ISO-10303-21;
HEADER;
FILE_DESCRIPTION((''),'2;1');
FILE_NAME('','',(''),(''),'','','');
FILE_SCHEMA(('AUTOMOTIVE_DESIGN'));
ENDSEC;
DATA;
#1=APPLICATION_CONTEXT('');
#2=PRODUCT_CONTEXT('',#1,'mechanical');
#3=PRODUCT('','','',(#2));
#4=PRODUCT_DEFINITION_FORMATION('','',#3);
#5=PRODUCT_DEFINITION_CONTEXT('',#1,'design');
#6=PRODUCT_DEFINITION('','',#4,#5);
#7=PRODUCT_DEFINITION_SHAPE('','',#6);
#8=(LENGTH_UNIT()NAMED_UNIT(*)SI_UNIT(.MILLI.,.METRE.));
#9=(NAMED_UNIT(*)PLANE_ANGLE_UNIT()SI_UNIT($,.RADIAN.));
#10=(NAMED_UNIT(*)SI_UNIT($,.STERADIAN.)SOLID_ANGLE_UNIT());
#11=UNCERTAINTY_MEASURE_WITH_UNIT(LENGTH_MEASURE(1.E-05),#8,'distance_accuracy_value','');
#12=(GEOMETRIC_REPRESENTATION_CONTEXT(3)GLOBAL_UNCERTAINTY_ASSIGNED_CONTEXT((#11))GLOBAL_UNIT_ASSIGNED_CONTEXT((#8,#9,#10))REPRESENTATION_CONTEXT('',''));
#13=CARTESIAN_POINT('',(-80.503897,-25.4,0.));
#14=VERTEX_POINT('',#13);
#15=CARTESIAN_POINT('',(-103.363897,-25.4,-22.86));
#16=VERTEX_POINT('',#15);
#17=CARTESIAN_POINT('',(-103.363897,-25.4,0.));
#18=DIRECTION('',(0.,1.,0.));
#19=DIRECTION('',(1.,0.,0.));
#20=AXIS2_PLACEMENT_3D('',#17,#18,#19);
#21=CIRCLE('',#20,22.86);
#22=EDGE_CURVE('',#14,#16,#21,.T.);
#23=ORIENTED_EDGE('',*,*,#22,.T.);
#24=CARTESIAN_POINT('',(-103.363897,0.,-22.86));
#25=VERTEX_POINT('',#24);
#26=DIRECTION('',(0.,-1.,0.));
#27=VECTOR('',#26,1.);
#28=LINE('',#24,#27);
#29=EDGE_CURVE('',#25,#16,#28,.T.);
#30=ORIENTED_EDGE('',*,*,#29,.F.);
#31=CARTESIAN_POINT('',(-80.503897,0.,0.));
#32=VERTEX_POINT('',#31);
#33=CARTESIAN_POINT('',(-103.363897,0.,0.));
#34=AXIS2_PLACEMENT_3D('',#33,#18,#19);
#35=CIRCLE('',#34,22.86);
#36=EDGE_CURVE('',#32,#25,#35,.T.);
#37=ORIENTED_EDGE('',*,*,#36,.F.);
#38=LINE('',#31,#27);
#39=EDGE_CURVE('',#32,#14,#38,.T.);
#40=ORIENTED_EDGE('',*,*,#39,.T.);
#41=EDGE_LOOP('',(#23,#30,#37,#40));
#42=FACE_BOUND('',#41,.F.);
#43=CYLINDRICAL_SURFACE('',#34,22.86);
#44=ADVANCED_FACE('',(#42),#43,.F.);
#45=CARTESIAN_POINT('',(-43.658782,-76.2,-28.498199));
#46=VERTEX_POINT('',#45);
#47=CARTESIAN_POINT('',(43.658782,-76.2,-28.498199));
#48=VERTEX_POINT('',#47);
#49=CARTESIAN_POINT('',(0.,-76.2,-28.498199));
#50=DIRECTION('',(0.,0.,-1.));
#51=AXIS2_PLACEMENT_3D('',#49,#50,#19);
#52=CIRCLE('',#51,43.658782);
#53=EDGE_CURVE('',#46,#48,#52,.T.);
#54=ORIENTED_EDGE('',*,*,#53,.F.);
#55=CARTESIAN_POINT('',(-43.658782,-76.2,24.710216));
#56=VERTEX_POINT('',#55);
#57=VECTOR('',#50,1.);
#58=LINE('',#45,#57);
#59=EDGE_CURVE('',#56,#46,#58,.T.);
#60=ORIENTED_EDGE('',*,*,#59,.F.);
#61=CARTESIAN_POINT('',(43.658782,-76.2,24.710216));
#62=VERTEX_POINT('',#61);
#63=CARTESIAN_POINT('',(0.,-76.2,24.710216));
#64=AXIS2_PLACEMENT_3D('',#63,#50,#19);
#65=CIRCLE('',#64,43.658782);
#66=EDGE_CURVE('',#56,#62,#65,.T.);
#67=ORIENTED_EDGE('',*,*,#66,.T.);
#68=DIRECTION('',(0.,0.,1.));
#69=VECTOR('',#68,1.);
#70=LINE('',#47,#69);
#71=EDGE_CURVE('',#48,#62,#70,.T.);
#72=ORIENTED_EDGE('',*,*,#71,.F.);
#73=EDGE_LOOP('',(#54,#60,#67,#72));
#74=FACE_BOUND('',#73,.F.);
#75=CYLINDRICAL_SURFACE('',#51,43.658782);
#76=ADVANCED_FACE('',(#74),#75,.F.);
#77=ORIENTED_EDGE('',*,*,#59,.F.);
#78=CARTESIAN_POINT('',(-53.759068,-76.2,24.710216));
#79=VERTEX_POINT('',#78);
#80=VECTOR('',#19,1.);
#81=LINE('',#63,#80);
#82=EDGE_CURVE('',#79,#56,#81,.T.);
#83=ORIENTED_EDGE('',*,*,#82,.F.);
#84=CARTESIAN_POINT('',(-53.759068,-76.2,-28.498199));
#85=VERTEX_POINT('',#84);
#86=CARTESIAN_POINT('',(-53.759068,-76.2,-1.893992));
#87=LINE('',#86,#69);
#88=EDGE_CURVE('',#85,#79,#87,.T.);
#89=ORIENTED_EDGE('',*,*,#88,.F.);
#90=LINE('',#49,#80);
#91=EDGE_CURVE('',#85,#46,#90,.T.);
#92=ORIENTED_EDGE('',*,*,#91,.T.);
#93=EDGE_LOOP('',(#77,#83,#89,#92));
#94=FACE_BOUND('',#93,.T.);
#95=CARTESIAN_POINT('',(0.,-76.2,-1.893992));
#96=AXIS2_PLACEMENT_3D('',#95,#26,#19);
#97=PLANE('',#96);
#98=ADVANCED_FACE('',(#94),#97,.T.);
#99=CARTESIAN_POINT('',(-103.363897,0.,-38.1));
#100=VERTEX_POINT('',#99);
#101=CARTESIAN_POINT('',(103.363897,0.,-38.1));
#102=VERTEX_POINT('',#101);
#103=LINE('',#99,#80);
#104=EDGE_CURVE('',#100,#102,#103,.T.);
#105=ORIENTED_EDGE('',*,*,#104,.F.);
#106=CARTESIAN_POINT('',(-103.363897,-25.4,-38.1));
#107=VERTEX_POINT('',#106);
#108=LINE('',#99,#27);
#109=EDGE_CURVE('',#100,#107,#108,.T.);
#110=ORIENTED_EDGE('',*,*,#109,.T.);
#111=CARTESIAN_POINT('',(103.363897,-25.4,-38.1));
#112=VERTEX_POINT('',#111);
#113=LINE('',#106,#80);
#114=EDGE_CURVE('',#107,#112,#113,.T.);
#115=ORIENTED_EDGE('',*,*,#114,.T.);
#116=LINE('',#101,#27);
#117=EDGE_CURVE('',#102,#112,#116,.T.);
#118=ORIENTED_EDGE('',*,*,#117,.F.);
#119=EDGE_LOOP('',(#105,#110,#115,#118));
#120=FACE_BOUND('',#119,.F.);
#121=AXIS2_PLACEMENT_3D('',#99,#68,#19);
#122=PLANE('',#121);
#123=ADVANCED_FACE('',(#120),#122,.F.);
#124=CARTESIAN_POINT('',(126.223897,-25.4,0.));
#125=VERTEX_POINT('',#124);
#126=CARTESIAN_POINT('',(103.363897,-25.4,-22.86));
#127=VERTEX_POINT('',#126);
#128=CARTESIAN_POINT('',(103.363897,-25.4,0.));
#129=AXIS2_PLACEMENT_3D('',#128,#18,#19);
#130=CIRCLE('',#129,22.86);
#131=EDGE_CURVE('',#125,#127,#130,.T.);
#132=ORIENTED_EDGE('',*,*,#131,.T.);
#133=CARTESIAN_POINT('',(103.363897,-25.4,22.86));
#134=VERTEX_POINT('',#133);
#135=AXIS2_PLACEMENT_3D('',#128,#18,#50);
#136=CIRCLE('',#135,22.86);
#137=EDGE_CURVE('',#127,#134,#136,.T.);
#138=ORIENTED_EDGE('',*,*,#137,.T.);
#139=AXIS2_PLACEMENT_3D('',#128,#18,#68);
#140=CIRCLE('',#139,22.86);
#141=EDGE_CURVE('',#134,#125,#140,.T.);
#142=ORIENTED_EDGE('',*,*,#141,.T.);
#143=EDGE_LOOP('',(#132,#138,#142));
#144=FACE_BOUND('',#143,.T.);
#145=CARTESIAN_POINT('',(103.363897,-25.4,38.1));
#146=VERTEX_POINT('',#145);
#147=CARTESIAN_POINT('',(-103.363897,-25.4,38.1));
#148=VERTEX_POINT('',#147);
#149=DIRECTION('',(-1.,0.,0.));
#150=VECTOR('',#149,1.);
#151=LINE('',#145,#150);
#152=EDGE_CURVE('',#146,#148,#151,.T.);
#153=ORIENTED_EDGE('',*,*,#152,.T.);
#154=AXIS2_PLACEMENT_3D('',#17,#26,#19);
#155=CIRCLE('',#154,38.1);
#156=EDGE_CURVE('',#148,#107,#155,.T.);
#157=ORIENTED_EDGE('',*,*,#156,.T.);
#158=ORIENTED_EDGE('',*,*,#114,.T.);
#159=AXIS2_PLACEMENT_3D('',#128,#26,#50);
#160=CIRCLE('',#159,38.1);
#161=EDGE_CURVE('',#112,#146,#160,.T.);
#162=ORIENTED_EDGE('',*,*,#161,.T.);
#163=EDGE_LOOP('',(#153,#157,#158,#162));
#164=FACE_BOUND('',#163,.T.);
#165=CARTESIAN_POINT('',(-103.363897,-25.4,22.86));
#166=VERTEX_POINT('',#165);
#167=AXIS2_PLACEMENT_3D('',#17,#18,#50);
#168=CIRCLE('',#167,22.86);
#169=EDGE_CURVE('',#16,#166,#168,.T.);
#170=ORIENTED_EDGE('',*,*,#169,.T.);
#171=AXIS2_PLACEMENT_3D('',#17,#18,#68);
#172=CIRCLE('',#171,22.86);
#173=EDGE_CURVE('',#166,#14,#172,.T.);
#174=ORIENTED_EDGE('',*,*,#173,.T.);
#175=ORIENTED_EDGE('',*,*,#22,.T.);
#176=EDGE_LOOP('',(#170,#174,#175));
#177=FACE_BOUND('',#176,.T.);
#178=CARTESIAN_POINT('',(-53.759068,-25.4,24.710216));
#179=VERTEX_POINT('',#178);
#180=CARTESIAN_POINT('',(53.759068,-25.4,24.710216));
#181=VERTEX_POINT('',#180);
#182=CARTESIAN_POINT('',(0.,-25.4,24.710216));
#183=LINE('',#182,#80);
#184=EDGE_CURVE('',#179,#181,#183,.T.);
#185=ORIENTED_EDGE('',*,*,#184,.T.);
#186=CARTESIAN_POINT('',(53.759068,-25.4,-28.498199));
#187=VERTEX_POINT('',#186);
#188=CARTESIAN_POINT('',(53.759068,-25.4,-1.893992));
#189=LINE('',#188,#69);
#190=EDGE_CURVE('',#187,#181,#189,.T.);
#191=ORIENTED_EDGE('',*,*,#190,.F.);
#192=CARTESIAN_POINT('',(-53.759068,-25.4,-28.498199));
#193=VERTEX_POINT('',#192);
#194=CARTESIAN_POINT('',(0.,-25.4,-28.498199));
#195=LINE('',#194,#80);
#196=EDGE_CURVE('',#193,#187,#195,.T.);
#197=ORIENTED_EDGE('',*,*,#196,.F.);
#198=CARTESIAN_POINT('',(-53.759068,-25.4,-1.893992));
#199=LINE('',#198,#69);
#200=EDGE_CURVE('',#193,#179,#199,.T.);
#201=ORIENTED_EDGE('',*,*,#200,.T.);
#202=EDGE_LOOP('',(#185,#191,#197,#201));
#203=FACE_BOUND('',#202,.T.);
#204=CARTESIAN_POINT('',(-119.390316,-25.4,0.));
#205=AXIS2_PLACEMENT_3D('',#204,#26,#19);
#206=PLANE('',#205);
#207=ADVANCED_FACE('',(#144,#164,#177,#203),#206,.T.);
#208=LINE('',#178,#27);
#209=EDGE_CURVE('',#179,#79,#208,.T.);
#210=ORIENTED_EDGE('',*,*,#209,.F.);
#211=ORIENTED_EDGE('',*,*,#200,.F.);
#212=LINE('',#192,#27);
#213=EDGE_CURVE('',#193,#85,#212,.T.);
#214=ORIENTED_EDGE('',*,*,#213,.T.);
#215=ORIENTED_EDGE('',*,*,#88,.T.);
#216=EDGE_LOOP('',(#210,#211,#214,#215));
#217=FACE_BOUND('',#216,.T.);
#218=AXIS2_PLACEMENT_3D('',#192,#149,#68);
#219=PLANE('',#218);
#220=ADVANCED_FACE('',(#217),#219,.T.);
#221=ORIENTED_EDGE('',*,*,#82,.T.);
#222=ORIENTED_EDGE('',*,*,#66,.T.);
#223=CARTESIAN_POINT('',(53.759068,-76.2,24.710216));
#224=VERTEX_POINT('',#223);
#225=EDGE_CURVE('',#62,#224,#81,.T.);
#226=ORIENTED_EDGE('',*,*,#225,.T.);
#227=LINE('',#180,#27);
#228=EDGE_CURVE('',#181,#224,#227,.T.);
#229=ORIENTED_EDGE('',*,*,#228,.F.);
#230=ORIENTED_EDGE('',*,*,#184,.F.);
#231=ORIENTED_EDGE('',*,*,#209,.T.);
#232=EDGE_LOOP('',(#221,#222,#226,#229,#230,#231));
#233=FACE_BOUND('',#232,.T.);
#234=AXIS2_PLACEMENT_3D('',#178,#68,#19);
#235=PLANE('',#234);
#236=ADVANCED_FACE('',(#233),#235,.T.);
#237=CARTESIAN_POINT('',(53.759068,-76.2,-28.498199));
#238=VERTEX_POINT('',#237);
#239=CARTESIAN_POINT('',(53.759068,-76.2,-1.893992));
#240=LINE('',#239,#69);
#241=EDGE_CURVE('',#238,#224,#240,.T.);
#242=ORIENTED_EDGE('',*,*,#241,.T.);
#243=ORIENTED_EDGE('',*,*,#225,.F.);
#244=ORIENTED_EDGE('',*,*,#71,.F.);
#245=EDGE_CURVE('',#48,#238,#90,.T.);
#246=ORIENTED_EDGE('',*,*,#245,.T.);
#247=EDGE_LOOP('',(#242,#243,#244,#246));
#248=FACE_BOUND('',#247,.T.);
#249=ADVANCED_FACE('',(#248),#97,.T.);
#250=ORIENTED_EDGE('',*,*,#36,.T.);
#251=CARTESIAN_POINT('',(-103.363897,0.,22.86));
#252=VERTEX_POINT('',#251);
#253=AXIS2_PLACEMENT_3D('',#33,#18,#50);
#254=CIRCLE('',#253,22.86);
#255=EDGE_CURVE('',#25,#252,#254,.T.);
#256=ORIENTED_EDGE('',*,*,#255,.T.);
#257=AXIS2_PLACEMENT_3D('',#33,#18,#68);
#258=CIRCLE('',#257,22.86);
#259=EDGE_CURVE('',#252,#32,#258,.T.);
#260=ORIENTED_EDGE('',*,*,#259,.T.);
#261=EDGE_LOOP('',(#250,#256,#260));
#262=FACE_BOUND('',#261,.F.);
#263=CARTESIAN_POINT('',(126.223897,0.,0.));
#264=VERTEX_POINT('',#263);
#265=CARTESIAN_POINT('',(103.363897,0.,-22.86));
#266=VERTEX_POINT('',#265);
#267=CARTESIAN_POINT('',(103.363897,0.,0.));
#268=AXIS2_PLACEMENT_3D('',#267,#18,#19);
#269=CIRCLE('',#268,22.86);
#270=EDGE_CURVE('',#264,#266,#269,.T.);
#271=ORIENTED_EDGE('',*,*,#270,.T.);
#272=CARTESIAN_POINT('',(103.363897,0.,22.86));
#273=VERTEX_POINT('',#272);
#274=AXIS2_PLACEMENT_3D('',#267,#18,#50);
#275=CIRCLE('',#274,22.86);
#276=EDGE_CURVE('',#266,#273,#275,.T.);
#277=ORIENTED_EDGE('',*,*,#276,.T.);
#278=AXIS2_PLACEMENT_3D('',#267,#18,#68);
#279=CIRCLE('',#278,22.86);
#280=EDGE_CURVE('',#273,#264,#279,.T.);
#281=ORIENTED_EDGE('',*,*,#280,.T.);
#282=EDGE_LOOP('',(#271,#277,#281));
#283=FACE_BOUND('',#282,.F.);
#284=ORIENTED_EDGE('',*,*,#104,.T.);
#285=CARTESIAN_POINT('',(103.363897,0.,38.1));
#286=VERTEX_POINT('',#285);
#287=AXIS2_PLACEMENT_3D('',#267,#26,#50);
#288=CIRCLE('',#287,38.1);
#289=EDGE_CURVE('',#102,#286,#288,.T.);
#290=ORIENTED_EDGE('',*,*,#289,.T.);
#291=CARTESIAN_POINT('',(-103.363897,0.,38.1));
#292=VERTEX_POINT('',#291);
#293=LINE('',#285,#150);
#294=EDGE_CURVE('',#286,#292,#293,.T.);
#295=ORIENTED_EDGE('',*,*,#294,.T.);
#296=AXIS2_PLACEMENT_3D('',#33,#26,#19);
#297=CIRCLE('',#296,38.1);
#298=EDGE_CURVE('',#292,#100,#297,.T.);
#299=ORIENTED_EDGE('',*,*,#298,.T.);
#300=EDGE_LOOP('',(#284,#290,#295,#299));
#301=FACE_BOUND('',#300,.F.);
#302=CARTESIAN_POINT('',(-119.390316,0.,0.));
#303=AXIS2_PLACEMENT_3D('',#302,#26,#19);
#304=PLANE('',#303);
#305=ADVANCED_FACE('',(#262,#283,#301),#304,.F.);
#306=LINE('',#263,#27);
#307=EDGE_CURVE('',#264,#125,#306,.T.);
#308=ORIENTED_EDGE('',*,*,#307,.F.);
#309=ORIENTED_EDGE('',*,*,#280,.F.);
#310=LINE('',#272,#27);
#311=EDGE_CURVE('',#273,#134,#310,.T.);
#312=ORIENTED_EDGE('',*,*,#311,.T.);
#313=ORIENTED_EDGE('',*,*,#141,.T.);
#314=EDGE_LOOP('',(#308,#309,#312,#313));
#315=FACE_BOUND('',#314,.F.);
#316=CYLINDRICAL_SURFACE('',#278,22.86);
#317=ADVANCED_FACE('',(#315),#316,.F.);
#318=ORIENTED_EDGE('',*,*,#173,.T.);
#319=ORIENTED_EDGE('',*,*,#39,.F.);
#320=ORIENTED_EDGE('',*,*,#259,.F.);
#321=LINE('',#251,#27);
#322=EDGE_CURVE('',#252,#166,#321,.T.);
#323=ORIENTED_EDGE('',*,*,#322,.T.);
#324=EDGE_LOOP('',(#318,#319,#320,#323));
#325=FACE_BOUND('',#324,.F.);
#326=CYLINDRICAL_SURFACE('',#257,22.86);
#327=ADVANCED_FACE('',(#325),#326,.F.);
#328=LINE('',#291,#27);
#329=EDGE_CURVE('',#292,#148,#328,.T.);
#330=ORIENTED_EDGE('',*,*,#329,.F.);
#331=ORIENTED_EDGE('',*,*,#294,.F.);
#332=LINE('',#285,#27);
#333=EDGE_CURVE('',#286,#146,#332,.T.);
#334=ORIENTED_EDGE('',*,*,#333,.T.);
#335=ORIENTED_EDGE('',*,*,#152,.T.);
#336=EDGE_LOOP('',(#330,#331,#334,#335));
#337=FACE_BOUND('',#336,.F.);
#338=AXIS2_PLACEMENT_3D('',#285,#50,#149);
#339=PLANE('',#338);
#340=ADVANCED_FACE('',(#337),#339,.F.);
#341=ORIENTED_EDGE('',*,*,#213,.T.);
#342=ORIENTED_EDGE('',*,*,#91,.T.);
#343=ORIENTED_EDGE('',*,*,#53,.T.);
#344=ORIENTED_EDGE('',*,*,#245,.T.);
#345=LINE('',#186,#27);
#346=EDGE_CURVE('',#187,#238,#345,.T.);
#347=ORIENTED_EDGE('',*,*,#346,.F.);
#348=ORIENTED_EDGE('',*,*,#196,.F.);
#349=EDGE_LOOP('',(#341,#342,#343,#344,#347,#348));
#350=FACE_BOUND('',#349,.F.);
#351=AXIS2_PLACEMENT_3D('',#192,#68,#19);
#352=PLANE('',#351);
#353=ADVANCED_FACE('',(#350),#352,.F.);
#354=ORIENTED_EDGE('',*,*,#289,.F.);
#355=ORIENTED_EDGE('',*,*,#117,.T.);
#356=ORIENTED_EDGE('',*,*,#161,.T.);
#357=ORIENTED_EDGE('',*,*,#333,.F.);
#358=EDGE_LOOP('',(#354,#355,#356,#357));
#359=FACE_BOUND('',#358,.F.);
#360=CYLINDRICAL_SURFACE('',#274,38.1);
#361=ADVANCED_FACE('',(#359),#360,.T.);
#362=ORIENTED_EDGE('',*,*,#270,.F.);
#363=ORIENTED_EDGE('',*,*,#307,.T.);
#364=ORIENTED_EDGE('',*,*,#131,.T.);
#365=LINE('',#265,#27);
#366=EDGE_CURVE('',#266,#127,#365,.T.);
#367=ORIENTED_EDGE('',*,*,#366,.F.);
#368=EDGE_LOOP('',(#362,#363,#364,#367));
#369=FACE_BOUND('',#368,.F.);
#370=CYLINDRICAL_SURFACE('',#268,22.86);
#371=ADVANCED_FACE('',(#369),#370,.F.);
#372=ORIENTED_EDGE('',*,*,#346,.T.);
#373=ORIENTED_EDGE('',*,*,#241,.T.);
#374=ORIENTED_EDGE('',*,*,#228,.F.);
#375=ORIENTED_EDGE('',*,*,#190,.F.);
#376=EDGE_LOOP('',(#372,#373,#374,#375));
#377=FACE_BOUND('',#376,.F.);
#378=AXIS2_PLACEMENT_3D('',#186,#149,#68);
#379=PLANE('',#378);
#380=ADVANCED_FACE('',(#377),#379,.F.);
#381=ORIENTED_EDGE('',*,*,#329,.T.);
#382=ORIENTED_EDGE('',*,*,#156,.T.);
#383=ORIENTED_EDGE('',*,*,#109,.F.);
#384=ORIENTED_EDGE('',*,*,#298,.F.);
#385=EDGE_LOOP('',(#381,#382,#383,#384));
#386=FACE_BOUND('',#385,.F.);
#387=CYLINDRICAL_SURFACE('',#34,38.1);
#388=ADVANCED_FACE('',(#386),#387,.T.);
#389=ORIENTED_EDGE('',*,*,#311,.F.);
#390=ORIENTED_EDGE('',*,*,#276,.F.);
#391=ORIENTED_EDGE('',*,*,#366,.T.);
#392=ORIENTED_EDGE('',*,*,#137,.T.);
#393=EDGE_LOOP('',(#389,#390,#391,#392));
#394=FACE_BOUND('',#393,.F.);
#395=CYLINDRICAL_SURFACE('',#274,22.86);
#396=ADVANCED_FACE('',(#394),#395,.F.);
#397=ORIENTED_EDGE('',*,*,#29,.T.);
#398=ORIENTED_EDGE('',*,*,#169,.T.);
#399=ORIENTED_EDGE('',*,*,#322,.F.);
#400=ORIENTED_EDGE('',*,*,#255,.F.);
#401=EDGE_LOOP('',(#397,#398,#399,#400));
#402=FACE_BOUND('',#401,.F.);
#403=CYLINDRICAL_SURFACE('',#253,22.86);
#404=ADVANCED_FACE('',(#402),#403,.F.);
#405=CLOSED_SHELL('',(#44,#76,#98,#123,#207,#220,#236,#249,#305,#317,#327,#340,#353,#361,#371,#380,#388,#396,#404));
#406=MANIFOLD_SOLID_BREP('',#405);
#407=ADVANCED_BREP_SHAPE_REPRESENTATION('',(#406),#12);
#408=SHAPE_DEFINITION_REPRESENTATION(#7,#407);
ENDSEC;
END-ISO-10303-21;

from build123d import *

# Parameters (mm, degrees)
F1_DEPTH = 25.4
F2_W     = 107.5181365013
F2_H     = 53.2084149309
F3_DEPTH = 50.8
F4_R     = 43.6587817112
F5_DEPTH = 203.2


with BuildPart() as f1:
    # F0 (on Front) → F1 (new body)
    with BuildSketch(Plane.XZ):
        with BuildLine():
            Line((-103.3638969086, 22.86), (-103.3638969086, 38.1))
            ThreePointArc((-103.3638969086, 38.1), (-141.4638969086, 0), (-103.3638969086, -38.1))
            Line((-103.3638969086, -38.1), (-103.3638969086, -22.86))
            ThreePointArc((-103.3638969086, -22.86), (-126.2238969086, 0), (-103.3638969086, 22.86))
        make_face()
        with BuildLine():
            ThreePointArc((141.4638969086, 0), (130.3046652718, 26.9407683632), (103.3638969086, 38.1))
            Line((103.3638969086, 38.1), (103.3638969086, 22.86))
            ThreePointArc((103.3638969086, 22.86), (119.5283579265, 16.1644610179), (126.2238969086, 0))
            ThreePointArc((126.2238969086, 0), (119.5283579265, -16.1644610179), (103.3638969086, -22.86))
            Line((103.3638969086, -22.86), (103.3638969086, -38.1))
            ThreePointArc((103.3638969086, -38.1), (130.3046652718, -26.9407683632), (141.4638969086, 0))
        make_face()
        with BuildLine():
            ThreePointArc((-65.2638969086, 0), (-76.4231285454, 26.9407683632), (-103.3638969086, 38.1))
            Line((-103.3638969086, 38.1), (-103.3638969086, 22.86))
            ThreePointArc((-103.3638969086, 22.86), (-87.1994358907, 16.1644610179), (-80.5038969086, 0))
            ThreePointArc((-80.5038969086, 0), (-87.1994358907, -16.1644610179), (-103.3638969086, -22.86))
            Line((-103.3638969086, -22.86), (-103.3638969086, -38.1))
            ThreePointArc((-103.3638969086, -38.1), (-76.4231285454, -26.9407683632), (-65.2638969086, 0))
        make_face()
        with BuildLine():
            Line((103.3638969086, 22.86), (103.3638969086, 38.1))
            ThreePointArc((103.3638969086, 38.1), (65.2638969086, 0), (103.3638969086, -38.1))
            Line((103.3638969086, -38.1), (103.3638969086, -22.86))
            ThreePointArc((103.3638969086, -22.86), (80.5038969086, 0), (103.3638969086, 22.86))
        make_face()
        with BuildLine():
            Line((103.3638969086, 38.1), (-103.3638969086, 38.1))
            ThreePointArc((-103.3638969086, 38.1), (-76.4231285454, 26.9407683632), (-65.2638969086, 0))
            ThreePointArc((-65.2638969086, 0), (-76.4231285454, -26.9407683632), (-103.3638969086, -38.1))
            Line((-103.3638969086, -38.1), (103.3638969086, -38.1))
            ThreePointArc((103.3638969086, -38.1), (65.2638969086, 0), (103.3638969086, 38.1))
        make_face()
    extrude(amount=F1_DEPTH)

    # F2 (on face) → F3 (join)
    with BuildSketch(Plane.XZ.offset(25.4)):
        with Locations((0, -1.8939918373)):
            Rectangle(F2_W, F2_H)
    extrude(amount=F3_DEPTH)

    # F4 (on face) → F5 (cut)
    with BuildSketch(Plane(origin=(0, 0, -28.4981993027), x_dir=(1, 0, 0), z_dir=(0, 0, -1))):
        with Locations((0, 76.2)):
            Circle(F4_R)
    extrude(amount=-F5_DEPTH, mode=Mode.SUBTRACT)


solid = f1.part
